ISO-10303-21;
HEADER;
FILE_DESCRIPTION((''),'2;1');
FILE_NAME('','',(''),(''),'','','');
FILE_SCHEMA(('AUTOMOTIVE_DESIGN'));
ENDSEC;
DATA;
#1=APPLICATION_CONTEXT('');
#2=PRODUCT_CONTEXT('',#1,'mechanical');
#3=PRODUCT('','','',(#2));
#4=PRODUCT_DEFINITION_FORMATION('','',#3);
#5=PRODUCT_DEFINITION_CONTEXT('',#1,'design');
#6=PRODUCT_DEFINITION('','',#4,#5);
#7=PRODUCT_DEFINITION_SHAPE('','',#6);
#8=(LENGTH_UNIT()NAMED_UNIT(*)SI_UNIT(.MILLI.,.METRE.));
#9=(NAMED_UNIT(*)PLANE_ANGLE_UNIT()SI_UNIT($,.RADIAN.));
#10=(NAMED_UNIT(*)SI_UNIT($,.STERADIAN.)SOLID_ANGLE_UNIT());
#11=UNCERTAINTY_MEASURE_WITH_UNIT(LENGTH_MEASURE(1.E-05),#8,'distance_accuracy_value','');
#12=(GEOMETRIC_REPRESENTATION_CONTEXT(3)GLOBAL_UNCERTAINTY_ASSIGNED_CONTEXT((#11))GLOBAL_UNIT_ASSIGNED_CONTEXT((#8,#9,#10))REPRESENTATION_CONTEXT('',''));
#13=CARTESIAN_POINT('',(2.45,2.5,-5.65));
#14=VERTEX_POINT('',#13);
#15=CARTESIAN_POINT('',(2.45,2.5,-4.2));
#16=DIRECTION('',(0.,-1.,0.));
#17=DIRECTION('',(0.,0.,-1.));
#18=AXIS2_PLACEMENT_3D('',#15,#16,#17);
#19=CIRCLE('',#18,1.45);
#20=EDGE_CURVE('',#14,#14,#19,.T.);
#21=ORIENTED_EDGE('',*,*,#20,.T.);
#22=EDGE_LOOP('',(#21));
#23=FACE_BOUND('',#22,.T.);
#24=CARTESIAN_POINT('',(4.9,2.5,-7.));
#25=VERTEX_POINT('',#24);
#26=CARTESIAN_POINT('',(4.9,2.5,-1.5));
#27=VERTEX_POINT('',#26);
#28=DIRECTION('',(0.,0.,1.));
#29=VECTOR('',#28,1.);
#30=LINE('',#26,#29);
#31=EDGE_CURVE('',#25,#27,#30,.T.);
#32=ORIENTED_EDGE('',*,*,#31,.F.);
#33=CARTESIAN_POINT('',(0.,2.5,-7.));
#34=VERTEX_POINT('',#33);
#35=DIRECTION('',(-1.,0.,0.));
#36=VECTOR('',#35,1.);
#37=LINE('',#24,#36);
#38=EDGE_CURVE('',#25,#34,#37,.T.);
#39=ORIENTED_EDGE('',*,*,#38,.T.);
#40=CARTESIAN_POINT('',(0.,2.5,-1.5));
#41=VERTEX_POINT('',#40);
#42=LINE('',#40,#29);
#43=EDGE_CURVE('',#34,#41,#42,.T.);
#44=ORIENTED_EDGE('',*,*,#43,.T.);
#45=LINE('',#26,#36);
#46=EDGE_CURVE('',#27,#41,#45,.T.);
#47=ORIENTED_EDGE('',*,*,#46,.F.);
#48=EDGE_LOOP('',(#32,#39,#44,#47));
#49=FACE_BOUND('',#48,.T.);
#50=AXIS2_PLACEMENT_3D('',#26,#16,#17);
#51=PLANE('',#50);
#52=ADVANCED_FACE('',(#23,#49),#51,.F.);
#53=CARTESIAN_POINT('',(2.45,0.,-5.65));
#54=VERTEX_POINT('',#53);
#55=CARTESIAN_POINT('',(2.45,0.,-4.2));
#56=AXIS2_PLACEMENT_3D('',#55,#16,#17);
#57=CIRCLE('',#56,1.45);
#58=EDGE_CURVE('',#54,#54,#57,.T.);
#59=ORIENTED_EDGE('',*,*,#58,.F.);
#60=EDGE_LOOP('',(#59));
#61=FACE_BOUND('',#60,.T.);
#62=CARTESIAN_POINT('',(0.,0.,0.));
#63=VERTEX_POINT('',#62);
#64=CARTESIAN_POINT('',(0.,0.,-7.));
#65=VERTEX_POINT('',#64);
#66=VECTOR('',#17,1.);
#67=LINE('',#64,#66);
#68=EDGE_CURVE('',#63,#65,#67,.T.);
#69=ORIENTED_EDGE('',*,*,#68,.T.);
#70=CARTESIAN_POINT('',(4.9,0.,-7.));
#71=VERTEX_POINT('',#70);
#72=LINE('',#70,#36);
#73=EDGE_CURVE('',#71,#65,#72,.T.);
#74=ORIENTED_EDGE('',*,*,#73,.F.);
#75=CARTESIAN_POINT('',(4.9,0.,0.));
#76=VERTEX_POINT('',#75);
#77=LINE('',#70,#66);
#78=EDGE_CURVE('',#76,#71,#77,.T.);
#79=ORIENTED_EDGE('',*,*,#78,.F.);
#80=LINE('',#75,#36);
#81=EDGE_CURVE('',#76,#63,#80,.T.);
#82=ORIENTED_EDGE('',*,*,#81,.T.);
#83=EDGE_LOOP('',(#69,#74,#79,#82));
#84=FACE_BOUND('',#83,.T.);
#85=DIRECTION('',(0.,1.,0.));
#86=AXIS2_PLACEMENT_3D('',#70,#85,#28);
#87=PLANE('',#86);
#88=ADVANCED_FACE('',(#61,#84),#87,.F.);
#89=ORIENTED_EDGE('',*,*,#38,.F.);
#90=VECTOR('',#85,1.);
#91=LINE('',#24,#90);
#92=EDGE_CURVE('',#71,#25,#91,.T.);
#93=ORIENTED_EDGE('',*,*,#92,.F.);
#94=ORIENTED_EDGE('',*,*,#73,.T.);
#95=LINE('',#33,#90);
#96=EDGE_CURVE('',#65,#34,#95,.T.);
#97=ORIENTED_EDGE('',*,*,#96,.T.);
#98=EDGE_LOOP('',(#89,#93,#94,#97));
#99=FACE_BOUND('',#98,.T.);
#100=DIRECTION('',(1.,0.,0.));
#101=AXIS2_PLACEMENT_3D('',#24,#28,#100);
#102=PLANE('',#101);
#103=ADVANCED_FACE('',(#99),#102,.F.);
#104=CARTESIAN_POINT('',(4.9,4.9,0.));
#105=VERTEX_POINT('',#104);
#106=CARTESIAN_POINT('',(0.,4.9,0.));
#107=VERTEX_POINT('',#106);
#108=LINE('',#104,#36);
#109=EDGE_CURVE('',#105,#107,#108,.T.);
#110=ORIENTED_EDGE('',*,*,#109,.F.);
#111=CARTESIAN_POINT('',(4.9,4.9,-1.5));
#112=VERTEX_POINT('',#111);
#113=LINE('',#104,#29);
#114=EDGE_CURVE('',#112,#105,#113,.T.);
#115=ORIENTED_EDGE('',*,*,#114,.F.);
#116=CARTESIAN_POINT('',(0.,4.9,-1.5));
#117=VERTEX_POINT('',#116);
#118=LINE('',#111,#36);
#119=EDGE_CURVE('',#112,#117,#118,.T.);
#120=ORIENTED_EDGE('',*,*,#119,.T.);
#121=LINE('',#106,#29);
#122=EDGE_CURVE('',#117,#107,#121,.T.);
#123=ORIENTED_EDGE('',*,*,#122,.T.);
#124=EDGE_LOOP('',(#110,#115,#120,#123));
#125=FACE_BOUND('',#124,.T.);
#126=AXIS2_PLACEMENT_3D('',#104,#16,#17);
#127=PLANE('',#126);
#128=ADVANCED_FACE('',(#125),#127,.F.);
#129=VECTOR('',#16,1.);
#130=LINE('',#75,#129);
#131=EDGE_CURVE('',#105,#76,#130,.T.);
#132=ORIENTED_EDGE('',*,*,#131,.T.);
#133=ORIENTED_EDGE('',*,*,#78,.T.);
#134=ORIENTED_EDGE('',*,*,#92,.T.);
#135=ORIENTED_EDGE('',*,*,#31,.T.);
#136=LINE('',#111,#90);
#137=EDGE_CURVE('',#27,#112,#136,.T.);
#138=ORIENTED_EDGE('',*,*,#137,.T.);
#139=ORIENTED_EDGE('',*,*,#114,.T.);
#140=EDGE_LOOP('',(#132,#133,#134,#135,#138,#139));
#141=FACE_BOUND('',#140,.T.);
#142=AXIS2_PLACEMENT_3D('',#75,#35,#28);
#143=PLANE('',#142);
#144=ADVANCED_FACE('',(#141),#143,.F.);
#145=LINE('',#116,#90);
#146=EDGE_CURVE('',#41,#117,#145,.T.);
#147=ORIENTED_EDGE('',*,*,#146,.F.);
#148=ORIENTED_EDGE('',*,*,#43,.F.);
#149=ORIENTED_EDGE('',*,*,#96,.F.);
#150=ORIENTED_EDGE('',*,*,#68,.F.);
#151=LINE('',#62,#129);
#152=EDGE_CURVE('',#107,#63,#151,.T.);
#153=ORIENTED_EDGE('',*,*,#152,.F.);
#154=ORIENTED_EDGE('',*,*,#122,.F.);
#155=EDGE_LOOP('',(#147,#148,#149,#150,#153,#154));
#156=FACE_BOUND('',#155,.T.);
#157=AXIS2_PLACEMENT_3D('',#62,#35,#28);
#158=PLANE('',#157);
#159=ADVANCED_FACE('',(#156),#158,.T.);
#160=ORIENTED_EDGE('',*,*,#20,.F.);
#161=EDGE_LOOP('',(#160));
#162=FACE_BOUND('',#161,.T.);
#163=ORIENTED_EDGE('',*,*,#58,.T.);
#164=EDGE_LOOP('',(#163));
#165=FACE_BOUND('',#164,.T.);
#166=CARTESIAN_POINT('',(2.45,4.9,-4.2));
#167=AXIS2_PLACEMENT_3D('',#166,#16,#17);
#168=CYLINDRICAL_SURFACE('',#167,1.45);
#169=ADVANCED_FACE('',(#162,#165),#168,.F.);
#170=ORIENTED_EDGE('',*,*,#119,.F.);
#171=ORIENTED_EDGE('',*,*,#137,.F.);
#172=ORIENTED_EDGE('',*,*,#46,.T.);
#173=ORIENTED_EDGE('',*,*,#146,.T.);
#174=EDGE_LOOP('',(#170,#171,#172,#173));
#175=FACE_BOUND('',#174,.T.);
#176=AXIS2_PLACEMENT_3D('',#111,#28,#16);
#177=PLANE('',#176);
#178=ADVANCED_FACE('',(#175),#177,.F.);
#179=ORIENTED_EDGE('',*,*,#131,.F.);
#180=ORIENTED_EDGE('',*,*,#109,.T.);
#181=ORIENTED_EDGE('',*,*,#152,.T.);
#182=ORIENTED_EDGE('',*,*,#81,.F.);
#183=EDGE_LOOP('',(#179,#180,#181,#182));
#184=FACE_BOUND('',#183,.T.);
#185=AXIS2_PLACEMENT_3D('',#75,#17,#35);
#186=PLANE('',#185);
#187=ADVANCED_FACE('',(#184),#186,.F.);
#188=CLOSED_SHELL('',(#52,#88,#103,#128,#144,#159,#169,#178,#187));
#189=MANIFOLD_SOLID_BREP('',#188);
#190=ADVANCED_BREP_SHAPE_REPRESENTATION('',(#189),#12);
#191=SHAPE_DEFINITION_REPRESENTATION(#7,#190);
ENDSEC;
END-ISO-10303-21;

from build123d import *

# Parameters (mm, degrees)
BOSS_EXTRUDE1_DEPTH = 4.9
SKETCH2_R           = 1.45
CUT_EXTRUDE1_DEPTH  = 5.9


with BuildPart() as part:
    # Sketch1 → Boss-Extrude1 (new body)
    with BuildSketch(Plane(origin=(0, 0, 0), x_dir=(0, 0, -1), z_dir=(1, 0, 0))):
        Polygon((0, 0), (0, 4.9), (1.5, 4.9), (1.5, 2.5), (7, 2.5), (7, 0), align=None)
    extrude(amount=BOSS_EXTRUDE1_DEPTH)

    # Sketch2 → Cut-Extrude1 (cut, through all)
    with BuildSketch(Plane.XZ):
        with Locations((2.45, -4.2)):
            Circle(SKETCH2_R)
    extrude(amount=-CUT_EXTRUDE1_DEPTH, mode=Mode.SUBTRACT)


solid = part.part
